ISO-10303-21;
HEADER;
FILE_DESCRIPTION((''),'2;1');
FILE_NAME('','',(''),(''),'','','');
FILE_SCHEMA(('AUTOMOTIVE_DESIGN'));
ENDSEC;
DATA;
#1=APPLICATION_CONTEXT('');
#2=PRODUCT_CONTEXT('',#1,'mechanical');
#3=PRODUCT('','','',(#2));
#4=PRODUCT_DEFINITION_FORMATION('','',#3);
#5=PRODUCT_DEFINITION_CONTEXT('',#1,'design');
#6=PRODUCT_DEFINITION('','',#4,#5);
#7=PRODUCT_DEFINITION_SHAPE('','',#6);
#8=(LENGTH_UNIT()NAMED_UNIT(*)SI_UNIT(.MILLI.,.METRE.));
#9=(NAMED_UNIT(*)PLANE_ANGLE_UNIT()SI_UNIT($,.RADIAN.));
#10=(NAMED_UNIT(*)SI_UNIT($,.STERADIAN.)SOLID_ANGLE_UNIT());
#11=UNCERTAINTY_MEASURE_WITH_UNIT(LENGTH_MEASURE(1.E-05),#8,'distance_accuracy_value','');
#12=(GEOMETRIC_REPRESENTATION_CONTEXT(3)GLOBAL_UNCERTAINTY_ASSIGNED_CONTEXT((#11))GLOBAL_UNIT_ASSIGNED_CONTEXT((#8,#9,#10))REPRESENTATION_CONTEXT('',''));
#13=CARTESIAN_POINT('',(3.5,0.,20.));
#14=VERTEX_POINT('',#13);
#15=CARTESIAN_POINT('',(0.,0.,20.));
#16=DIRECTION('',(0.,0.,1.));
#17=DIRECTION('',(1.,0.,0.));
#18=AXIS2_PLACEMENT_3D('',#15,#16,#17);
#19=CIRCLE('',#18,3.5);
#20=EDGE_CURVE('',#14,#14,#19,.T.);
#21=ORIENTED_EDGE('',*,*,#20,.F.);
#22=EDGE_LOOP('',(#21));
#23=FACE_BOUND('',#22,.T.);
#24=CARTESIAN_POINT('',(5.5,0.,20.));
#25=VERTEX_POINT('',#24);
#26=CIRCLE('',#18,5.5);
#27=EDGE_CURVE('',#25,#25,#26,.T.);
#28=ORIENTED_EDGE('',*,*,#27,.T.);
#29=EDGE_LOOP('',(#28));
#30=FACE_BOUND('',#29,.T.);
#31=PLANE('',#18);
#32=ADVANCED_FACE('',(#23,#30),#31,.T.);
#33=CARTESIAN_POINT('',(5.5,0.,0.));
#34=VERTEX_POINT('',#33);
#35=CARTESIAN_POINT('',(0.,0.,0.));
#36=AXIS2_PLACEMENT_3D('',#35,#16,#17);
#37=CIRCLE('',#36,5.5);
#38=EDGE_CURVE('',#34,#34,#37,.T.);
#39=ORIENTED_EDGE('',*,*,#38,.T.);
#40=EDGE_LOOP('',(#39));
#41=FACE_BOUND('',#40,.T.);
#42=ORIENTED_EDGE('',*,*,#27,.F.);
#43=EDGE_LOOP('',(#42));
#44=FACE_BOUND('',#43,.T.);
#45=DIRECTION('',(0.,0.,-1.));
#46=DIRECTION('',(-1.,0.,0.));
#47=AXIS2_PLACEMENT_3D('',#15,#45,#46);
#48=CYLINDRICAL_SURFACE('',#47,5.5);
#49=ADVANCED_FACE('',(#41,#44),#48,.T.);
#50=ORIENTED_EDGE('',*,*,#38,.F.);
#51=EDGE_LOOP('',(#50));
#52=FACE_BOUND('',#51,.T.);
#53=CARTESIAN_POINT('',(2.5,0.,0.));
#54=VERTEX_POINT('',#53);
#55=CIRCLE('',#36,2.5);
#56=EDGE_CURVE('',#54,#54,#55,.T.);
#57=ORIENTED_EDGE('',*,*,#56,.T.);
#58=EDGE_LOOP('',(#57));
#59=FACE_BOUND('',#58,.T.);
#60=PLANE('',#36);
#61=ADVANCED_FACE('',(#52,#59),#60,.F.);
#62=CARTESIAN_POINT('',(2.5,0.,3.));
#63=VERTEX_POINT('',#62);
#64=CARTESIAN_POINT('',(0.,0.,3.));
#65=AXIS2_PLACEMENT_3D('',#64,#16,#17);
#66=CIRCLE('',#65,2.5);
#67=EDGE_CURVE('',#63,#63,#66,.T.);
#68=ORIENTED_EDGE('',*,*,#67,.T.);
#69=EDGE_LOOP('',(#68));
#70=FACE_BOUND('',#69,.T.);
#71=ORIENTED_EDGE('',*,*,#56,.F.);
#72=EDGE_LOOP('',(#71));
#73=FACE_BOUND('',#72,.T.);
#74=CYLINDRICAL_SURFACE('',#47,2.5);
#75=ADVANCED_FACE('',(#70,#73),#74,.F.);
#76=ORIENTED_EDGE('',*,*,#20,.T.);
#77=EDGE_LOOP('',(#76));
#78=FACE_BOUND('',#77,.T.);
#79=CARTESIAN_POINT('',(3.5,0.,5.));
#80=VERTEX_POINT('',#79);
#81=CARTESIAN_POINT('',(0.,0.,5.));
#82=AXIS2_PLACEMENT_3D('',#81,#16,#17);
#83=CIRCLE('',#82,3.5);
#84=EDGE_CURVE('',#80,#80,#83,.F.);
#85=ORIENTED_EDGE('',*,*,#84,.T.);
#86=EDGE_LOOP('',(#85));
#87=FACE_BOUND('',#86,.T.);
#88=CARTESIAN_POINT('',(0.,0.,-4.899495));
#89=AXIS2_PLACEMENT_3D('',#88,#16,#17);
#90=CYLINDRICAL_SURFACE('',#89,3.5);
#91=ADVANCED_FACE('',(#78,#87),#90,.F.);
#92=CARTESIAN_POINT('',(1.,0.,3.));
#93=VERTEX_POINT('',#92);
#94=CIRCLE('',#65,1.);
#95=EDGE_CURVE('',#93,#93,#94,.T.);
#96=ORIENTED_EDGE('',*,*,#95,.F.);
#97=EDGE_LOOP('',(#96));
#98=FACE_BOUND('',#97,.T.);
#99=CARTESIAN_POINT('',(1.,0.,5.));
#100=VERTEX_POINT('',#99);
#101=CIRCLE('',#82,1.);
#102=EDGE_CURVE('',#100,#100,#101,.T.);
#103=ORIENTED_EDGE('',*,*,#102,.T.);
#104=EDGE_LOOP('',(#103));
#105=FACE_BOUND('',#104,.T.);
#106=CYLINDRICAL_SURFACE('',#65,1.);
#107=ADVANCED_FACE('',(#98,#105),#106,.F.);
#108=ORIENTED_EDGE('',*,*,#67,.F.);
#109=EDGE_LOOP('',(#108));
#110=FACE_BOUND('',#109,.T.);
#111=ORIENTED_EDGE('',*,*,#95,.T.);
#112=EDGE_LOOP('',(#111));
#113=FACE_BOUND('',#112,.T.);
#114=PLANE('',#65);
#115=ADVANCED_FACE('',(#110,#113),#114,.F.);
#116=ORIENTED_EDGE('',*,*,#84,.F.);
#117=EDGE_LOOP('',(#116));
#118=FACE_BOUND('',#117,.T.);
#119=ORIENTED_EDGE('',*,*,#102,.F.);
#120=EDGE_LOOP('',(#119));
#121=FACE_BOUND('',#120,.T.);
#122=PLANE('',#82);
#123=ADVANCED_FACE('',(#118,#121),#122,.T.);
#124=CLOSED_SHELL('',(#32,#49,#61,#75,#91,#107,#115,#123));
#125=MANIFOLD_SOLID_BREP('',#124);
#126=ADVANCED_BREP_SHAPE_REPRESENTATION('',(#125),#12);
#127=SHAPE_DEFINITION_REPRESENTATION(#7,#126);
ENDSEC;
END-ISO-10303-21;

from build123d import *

# Parameters (mm, degrees)
SKETCH1_R           = 5.5
SKETCH1_R_2         = 2.5
BOSS_EXTRUDE1_DEPTH = 20
BOSS_EXTRUDE2_START = -17
SKETCH2_R           = 2.5
BOSS_EXTRUDE2_DEPTH = 2
SKETCH3_R           = 1
CUT_EXTRUDE1_DEPTH  = 2
SKETCH4_R           = 3.5
CUT_EXTRUDE3_DEPTH  = 15


with BuildPart() as part:
    # Sketch1 → Boss-Extrude1 (new body)
    with BuildSketch(Plane.XY):
        Circle(SKETCH1_R)
        Circle(SKETCH1_R_2, mode=Mode.SUBTRACT)
    extrude(amount=BOSS_EXTRUDE1_DEPTH)

    # Sketch2 → Boss-Extrude2 (add)
    with BuildSketch(Plane.XY.offset(20).offset(BOSS_EXTRUDE2_START)):
        Circle(SKETCH2_R)
    extrude(amount=BOSS_EXTRUDE2_DEPTH)

    # Sketch3 → Cut-Extrude1 (cut)
    with BuildSketch(Plane.XY.offset(5)):
        Circle(SKETCH3_R)
    extrude(amount=-CUT_EXTRUDE1_DEPTH, mode=Mode.SUBTRACT)

    # Sketch4 → Cut-Extrude3 (cut)
    with BuildSketch(Plane.XY.offset(20)):
        Circle(SKETCH4_R)
    extrude(amount=-CUT_EXTRUDE3_DEPTH, mode=Mode.SUBTRACT)


solid = part.part
